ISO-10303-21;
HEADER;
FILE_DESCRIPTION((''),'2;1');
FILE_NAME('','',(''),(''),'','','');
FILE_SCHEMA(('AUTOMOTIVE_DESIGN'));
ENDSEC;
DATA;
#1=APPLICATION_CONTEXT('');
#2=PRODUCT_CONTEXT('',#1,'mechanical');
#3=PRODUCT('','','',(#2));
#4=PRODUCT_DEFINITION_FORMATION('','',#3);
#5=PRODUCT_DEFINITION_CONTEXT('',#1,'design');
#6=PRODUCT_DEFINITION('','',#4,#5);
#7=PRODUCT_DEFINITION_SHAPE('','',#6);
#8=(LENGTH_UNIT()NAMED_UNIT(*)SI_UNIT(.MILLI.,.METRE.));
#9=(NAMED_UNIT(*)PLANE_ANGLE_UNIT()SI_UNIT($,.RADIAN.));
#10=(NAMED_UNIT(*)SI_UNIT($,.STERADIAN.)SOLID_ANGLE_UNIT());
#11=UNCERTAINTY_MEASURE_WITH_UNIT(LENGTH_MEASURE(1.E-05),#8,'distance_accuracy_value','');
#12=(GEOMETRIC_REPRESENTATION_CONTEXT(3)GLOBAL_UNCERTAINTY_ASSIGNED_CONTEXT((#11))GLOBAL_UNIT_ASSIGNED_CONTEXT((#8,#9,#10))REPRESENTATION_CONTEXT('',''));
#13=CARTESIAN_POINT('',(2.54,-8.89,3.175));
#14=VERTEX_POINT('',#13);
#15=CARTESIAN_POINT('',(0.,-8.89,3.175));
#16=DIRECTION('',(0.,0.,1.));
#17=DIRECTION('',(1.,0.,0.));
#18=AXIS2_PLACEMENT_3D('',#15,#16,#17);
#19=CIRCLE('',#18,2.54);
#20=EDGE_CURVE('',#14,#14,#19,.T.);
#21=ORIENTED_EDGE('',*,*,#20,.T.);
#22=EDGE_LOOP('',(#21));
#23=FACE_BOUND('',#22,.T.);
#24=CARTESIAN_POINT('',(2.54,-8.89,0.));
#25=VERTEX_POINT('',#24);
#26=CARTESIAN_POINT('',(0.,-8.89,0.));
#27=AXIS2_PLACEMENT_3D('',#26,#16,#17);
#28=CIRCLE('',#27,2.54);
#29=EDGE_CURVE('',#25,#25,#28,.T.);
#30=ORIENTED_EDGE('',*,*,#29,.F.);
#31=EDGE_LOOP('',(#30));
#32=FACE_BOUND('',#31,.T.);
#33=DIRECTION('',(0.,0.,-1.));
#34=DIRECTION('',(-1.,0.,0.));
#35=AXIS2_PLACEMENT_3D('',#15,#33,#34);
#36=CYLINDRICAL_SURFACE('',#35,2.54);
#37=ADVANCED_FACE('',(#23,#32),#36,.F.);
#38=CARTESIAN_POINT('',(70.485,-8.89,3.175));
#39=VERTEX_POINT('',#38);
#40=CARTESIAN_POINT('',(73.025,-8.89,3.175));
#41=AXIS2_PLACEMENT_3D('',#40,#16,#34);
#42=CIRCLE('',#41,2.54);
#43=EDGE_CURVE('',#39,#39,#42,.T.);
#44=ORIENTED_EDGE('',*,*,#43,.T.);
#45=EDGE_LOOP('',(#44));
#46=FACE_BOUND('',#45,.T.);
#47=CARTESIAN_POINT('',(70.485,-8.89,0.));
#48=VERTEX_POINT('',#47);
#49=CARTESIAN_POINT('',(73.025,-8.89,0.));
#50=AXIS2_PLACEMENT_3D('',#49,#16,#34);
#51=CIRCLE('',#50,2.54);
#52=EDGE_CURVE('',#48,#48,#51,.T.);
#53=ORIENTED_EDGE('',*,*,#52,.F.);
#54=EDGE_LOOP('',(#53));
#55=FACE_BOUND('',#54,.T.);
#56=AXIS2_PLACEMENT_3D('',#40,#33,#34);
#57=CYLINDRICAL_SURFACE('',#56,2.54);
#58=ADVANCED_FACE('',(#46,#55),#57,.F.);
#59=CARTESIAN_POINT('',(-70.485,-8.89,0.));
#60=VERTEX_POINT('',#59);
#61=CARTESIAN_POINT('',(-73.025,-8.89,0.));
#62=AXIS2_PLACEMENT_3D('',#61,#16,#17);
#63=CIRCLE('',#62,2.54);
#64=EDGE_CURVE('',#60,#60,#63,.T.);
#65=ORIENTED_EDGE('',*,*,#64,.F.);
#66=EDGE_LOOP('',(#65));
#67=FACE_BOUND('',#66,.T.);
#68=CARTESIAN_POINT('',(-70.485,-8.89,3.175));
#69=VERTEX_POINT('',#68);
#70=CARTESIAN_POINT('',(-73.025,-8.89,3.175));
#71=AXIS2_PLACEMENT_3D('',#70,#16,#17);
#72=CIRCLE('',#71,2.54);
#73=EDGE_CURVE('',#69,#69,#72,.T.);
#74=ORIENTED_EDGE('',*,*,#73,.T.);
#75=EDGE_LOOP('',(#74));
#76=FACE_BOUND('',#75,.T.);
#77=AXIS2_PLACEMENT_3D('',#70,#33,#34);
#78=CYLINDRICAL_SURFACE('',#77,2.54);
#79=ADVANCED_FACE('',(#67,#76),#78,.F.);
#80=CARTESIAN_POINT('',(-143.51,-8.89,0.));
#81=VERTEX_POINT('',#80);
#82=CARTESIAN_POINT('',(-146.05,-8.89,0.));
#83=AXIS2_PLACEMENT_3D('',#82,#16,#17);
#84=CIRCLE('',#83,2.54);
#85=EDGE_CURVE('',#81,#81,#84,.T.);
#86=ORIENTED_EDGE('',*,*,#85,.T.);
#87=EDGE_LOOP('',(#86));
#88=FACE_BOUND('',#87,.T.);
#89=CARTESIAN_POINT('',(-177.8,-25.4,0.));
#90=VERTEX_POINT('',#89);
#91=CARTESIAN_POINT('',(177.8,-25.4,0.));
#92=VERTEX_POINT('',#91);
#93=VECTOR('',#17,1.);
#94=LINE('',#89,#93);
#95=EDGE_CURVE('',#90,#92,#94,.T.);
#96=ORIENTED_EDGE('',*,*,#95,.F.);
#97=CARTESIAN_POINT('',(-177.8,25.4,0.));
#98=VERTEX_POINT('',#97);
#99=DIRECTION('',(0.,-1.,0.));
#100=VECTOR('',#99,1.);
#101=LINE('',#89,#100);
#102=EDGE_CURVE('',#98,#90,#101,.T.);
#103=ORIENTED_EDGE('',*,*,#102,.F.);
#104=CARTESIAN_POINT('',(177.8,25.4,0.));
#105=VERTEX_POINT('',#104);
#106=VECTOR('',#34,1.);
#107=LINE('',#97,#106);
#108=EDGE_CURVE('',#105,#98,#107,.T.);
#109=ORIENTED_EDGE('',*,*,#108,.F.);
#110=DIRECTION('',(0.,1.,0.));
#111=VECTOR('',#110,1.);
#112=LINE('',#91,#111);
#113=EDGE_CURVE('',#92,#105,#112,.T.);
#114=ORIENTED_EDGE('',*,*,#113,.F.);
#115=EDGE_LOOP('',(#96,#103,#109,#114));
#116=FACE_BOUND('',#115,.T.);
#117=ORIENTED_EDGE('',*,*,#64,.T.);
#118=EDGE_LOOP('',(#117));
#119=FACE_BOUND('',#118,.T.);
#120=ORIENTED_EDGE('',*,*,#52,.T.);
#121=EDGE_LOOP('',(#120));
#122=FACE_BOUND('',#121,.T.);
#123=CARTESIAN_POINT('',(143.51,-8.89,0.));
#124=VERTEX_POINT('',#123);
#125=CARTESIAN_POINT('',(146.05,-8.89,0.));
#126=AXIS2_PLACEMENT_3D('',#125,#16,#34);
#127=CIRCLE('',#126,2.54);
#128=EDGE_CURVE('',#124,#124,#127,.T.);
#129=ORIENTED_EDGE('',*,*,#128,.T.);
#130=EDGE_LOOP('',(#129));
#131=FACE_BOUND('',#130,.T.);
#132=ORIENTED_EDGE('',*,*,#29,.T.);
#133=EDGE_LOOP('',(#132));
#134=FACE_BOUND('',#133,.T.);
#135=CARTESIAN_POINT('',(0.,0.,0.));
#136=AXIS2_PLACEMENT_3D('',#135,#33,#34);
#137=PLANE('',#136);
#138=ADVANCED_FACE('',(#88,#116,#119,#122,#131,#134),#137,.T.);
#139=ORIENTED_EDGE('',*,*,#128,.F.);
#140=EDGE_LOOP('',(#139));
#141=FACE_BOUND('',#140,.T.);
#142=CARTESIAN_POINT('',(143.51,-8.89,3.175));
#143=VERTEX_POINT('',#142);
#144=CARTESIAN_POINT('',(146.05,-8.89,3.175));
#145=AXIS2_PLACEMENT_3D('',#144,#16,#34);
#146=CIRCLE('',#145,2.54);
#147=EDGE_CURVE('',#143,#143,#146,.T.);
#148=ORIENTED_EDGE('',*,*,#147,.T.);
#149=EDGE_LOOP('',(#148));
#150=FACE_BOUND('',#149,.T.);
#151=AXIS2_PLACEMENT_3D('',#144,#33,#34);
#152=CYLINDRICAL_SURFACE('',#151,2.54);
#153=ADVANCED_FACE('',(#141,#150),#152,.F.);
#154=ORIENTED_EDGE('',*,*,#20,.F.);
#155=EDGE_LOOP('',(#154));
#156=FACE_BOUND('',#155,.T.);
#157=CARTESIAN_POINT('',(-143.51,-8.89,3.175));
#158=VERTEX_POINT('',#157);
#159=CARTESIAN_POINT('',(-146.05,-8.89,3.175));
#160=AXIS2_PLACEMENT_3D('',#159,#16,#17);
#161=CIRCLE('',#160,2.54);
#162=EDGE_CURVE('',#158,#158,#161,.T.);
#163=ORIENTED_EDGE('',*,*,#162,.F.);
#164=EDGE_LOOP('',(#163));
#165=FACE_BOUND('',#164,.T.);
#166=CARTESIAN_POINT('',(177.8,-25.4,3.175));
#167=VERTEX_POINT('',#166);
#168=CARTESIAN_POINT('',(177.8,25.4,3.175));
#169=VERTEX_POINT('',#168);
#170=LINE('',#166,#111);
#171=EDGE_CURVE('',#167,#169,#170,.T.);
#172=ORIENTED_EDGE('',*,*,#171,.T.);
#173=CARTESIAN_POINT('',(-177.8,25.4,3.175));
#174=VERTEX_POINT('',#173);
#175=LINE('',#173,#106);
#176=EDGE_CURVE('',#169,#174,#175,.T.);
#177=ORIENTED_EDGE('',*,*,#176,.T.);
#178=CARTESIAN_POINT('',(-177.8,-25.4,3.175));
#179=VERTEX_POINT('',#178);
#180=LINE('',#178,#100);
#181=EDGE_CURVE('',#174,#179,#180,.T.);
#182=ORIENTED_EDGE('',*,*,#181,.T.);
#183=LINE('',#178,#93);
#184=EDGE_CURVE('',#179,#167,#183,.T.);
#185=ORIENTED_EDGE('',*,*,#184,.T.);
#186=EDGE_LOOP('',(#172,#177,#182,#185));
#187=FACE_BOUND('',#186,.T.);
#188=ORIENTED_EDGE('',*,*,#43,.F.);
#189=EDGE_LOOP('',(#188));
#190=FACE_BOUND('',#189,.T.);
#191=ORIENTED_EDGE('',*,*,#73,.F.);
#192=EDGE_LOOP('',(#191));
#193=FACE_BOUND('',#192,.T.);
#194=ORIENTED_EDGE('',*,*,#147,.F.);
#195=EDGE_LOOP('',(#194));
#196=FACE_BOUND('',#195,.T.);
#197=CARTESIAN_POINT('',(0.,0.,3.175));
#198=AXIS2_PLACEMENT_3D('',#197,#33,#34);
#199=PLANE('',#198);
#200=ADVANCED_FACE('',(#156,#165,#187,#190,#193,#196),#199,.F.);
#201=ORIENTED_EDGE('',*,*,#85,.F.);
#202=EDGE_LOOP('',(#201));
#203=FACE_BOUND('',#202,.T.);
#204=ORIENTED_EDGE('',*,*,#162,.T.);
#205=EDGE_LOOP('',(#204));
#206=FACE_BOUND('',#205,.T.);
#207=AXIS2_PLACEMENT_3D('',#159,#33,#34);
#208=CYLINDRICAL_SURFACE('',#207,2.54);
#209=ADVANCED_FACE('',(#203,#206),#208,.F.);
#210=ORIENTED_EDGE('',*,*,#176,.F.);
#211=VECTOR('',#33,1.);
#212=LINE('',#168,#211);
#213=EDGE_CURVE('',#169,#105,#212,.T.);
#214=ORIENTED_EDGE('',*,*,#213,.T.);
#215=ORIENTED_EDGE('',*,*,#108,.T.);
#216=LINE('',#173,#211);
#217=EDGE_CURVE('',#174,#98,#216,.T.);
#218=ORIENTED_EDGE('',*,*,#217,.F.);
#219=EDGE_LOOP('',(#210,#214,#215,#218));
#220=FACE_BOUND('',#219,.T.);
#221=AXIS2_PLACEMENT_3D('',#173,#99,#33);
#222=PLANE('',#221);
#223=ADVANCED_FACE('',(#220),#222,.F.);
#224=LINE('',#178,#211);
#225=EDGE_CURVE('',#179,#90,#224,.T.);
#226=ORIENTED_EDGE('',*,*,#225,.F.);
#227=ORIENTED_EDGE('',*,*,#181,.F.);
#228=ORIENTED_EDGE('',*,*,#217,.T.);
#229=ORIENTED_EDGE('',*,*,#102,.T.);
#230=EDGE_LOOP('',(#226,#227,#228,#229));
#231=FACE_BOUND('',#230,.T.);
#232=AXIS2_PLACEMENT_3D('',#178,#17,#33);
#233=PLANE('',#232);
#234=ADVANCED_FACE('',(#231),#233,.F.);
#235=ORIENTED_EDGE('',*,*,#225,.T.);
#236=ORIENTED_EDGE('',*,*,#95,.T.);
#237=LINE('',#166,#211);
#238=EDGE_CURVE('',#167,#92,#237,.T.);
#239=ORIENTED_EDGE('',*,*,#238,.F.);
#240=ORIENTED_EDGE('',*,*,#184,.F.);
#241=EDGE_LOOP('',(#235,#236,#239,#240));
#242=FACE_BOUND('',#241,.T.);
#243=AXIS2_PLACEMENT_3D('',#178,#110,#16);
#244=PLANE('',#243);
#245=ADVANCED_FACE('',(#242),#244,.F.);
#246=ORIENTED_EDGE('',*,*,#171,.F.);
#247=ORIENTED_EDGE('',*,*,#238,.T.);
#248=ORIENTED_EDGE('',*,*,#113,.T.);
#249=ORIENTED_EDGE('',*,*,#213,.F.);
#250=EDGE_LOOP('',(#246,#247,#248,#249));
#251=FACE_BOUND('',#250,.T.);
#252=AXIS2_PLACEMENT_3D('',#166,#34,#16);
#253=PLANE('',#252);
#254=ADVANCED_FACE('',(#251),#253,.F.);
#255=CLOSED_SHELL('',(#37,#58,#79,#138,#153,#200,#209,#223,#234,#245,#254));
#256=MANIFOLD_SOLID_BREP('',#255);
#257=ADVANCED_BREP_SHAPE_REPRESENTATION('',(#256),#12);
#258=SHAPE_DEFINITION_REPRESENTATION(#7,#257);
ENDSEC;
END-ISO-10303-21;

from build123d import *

# Parameters (mm, degrees)
SKETCH1_W           = 355.6
SKETCH1_H           = 50.8
SKETCH1_R           = 2.54
BOSS_EXTRUDE1_DEPTH = 3.175


with BuildPart() as part:
    # Sketch1 → Boss-Extrude1 (new body)
    with BuildSketch(Plane.XY):
        Rectangle(SKETCH1_W, SKETCH1_H)
        with Locations((0, -8.89)):
            Circle(SKETCH1_R, mode=Mode.SUBTRACT)
        with Locations((-146.05, -8.89)):
            Circle(SKETCH1_R, mode=Mode.SUBTRACT)
        with Locations((-73.025, -8.89)):
            Circle(SKETCH1_R, mode=Mode.SUBTRACT)
        with Locations(Location((73.025, -8.89, 0), (0, 0, 180))):
            Circle(SKETCH1_R, mode=Mode.SUBTRACT)
        with Locations(Location((146.05, -8.89, 0), (0, 0, 180))):
            Circle(SKETCH1_R, mode=Mode.SUBTRACT)
    extrude(amount=BOSS_EXTRUDE1_DEPTH)


solid = part.part
